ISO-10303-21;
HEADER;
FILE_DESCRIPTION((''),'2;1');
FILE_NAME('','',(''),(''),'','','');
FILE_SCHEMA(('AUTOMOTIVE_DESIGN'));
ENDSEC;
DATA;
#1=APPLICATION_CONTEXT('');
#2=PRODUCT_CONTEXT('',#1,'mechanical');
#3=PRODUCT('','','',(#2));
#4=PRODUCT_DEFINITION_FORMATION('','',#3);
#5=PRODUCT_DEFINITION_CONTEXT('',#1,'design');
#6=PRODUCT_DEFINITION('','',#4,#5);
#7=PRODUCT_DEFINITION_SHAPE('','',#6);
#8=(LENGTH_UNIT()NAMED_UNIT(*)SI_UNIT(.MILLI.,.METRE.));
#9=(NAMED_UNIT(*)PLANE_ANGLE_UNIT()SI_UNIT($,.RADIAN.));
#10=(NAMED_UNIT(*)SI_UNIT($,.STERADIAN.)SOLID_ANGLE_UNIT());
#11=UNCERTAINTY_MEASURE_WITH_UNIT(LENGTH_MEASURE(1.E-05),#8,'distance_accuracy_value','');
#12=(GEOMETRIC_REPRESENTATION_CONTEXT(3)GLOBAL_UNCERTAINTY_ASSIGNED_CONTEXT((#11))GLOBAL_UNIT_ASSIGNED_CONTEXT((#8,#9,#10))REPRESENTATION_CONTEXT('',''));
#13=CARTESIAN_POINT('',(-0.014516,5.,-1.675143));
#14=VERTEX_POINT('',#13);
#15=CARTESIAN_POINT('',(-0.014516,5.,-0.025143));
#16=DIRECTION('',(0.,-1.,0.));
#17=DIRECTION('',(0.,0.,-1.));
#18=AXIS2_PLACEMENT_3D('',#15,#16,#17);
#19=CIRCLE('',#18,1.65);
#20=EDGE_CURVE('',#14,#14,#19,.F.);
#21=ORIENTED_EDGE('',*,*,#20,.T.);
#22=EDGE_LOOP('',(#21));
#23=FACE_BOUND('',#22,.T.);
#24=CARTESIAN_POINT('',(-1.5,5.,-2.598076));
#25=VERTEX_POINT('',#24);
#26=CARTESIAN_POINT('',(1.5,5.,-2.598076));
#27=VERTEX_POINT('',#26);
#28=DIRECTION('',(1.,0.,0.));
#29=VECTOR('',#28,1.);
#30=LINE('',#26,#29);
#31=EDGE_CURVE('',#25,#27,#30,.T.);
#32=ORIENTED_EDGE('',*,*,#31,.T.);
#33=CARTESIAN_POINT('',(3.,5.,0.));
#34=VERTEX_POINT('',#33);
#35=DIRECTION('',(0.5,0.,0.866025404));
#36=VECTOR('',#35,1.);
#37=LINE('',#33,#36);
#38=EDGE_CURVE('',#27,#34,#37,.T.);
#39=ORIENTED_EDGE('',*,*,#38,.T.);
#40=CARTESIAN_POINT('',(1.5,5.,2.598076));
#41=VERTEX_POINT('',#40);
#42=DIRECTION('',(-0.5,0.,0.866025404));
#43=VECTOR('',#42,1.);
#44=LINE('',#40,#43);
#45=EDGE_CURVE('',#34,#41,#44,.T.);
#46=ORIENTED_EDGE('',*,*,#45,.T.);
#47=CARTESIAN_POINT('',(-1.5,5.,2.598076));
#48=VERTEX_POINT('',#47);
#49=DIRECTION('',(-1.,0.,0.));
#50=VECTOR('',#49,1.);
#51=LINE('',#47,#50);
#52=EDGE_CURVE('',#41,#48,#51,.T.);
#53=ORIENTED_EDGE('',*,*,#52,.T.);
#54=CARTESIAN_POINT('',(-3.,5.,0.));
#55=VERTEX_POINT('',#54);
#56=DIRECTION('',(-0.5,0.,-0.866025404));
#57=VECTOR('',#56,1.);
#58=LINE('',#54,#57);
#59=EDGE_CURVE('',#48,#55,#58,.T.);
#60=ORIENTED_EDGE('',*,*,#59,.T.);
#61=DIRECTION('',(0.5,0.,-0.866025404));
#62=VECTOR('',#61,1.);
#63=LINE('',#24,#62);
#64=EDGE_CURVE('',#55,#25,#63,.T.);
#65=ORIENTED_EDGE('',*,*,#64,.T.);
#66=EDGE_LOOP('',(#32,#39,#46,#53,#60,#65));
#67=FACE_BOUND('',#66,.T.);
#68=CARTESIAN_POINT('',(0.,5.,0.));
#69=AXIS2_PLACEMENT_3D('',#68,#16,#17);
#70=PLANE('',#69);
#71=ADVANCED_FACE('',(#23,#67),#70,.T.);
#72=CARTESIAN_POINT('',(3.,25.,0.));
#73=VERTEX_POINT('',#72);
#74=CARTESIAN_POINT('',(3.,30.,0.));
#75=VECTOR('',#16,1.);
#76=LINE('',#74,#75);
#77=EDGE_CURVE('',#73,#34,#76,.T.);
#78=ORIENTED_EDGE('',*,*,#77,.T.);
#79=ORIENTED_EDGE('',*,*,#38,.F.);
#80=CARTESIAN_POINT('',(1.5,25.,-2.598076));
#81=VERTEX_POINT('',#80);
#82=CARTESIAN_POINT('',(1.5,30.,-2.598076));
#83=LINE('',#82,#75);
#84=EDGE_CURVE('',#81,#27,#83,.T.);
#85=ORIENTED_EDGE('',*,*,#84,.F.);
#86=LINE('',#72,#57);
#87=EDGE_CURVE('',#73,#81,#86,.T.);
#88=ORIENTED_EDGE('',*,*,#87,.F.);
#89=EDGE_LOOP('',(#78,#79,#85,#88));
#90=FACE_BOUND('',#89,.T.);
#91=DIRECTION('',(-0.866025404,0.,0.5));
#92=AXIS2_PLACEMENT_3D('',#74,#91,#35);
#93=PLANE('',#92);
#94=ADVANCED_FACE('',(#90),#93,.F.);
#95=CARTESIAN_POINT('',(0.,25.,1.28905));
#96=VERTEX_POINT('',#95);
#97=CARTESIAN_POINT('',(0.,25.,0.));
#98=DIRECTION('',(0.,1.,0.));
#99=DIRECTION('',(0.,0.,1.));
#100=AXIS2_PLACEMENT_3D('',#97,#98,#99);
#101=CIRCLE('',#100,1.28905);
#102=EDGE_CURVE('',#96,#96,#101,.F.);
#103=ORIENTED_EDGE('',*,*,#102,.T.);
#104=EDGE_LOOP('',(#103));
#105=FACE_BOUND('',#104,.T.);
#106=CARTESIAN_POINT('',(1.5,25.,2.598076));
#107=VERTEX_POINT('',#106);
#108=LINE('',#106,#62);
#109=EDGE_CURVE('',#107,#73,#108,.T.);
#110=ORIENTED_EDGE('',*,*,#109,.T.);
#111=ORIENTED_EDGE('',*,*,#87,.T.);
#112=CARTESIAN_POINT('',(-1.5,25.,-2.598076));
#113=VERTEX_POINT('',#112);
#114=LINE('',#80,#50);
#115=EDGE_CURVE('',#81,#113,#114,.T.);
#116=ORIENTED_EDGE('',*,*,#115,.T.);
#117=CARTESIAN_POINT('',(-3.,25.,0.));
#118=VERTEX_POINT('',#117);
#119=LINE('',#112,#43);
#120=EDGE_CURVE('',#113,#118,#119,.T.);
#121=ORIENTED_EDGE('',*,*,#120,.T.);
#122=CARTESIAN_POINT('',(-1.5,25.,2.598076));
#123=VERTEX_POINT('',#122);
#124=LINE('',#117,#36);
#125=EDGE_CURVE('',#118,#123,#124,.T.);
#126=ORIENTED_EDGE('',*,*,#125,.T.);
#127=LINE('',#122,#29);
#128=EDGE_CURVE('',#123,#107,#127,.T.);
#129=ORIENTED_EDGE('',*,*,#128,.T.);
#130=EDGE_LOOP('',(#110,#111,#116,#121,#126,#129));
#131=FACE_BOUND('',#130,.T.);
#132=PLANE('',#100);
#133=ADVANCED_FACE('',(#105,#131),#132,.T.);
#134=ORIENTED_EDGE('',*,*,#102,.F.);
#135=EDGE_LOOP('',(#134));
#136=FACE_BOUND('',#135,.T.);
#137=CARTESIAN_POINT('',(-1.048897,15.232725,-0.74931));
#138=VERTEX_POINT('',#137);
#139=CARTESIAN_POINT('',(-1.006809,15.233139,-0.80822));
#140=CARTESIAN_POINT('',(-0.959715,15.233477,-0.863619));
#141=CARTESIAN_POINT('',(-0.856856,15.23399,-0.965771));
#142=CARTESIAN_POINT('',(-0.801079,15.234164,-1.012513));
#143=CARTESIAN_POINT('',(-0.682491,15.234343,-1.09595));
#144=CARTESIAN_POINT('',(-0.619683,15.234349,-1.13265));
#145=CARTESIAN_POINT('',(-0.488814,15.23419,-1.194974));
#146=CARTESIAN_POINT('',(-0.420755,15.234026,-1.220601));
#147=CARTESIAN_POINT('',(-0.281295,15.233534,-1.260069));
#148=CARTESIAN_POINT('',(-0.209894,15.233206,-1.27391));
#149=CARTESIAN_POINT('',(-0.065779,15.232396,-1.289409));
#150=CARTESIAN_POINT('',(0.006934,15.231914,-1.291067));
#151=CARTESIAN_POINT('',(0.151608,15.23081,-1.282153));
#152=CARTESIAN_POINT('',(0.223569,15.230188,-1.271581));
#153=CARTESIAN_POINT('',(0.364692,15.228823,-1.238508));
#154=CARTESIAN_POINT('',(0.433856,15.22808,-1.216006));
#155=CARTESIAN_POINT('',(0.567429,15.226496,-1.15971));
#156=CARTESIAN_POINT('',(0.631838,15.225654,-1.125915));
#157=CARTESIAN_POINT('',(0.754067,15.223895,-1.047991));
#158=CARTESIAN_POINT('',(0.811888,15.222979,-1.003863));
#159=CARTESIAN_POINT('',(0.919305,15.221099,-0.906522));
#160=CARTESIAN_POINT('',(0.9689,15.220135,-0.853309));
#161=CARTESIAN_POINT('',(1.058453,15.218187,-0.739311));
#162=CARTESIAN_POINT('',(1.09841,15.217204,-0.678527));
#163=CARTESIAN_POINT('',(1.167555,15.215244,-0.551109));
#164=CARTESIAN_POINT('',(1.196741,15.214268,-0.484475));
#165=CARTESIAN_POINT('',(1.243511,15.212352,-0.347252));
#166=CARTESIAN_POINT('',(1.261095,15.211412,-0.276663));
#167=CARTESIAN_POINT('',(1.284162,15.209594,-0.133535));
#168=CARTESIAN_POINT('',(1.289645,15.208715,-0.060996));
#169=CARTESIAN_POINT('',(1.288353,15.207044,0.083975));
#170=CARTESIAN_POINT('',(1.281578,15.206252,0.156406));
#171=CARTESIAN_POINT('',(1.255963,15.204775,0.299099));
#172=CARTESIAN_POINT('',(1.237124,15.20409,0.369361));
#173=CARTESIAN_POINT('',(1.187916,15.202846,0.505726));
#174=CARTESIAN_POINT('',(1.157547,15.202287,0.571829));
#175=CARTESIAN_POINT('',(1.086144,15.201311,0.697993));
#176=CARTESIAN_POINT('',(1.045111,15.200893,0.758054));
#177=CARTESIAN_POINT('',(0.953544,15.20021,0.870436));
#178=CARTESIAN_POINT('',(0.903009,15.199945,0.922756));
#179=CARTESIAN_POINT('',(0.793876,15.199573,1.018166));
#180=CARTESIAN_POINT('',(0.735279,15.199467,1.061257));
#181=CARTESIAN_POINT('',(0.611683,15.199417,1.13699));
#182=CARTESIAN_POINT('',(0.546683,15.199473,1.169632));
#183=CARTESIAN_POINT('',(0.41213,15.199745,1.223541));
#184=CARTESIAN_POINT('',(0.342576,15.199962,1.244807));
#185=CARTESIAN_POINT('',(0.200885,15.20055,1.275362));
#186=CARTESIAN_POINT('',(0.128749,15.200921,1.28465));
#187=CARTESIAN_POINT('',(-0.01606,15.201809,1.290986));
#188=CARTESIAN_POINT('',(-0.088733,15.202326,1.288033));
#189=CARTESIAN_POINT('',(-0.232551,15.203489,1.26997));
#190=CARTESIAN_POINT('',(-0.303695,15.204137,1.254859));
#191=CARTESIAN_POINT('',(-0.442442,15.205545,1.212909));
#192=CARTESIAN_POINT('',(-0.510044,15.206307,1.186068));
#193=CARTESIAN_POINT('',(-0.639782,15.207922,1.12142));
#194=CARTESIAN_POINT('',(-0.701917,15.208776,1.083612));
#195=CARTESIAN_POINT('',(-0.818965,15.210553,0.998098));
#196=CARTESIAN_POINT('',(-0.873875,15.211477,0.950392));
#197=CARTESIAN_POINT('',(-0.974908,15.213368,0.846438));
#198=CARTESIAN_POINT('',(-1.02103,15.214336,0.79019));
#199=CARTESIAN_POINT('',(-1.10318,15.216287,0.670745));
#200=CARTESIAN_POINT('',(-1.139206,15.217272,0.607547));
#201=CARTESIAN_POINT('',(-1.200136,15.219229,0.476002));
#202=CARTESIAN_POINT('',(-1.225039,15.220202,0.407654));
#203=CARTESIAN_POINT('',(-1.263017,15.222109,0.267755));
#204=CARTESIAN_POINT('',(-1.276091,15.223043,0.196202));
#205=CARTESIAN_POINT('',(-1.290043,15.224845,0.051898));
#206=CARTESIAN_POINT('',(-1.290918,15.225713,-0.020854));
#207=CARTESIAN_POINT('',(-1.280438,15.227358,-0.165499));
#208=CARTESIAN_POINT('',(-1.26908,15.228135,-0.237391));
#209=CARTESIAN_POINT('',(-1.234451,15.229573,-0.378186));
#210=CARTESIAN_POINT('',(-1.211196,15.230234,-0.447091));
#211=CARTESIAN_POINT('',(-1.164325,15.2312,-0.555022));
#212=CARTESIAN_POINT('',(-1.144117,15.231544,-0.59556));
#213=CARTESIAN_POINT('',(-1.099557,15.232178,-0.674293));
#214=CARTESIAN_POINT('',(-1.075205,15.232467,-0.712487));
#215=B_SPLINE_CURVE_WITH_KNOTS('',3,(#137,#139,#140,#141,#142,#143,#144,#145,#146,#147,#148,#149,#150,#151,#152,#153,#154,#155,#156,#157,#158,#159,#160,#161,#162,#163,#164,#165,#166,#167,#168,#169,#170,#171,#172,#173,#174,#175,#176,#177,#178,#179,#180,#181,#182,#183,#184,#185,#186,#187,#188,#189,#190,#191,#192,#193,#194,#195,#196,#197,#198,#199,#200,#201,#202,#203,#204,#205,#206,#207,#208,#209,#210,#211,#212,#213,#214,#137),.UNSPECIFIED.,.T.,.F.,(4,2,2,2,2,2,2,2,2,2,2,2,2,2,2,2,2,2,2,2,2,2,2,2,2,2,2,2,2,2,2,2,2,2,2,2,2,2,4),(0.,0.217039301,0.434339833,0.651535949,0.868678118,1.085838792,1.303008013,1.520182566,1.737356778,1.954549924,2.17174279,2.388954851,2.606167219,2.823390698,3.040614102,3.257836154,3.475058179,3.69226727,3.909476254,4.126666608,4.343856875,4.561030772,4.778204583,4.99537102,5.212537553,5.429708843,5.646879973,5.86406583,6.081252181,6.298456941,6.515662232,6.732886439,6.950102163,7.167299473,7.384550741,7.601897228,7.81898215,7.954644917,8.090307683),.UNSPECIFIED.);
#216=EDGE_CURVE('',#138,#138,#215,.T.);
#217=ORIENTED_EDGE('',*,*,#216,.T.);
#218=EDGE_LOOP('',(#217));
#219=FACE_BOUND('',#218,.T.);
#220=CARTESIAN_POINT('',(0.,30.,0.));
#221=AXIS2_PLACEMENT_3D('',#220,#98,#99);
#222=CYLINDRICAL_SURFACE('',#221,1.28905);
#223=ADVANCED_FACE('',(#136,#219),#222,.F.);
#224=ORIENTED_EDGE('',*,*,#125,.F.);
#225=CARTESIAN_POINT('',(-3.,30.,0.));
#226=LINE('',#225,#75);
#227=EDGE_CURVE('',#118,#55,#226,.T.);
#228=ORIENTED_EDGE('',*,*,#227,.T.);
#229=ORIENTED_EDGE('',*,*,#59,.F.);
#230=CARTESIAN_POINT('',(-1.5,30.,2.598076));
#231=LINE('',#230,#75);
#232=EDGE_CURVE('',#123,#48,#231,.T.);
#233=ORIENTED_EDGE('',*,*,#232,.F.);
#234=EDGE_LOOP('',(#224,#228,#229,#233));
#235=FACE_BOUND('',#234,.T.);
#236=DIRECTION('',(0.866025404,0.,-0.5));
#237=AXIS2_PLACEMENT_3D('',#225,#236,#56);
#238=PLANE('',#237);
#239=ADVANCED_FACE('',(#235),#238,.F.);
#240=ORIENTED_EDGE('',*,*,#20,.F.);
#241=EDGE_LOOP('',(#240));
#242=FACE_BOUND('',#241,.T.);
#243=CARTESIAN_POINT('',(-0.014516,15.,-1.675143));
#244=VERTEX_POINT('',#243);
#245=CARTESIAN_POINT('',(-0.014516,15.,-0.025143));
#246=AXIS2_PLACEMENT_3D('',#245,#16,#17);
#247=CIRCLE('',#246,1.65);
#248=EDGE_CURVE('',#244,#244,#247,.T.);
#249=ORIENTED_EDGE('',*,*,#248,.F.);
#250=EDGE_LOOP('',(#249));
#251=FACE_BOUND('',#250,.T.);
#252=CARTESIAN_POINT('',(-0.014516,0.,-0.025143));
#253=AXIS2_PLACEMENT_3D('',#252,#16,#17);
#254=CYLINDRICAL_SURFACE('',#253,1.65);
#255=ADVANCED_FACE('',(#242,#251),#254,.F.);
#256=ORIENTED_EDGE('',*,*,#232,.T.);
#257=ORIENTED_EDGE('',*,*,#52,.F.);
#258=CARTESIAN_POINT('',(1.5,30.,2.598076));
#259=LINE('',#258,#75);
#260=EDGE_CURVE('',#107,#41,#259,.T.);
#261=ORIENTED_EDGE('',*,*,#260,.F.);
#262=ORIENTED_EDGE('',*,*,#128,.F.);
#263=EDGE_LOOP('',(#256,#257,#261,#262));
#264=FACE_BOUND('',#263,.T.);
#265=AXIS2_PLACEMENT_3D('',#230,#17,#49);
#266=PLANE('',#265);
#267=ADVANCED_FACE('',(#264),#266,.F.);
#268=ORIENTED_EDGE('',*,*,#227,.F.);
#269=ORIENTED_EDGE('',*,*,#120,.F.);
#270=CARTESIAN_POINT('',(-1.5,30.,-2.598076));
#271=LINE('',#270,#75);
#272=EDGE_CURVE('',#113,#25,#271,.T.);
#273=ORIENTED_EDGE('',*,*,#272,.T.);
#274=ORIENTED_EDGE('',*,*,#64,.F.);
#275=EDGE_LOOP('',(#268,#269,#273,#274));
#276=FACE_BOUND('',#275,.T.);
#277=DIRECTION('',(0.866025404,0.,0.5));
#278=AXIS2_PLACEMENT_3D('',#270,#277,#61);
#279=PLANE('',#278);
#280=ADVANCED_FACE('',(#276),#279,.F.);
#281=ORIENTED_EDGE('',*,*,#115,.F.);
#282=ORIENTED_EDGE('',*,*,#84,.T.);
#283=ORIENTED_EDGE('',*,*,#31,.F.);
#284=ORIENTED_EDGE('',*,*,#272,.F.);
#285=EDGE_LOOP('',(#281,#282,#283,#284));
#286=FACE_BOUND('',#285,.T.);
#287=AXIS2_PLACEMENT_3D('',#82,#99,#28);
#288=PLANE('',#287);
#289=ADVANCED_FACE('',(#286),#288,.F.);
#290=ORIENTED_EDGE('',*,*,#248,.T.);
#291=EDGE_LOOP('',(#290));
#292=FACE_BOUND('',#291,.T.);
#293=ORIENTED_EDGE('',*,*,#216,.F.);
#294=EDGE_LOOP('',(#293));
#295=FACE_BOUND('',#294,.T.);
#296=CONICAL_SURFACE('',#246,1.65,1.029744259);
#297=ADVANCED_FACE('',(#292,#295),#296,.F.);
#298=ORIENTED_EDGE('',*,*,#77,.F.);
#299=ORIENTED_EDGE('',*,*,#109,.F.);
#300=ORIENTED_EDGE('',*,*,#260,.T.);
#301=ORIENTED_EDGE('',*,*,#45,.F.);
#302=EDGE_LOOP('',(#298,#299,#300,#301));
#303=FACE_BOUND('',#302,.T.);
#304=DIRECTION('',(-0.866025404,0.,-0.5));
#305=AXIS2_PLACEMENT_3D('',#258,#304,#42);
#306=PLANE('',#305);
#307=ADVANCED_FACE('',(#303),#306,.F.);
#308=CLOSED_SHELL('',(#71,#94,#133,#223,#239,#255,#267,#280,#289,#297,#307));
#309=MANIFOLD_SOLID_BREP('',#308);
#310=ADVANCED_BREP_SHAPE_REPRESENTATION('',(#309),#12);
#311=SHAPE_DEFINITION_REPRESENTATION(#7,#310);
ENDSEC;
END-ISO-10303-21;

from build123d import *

# Parameters (mm, degrees)
BOSS_EXTRUDE1_DEPTH             = 30
F_5_40_TAPPED_HOLE1_D           = 2.5781
F_5_40_TAPPED_HOLE1_DEPTH       = 15
F_5_40_TAPPED_HOLE1_CSINK_D     = 4.445
F_5_40_TAPPED_HOLE1_CSINK_ANGLE = 100
F_5_40_TAPPED_HOLE1_TIP         = 0.774539381
M4X0_7_TAPPED_HOLE1_D           = 3.3
M4X0_7_TAPPED_HOLE1_DEPTH       = 15
M4X0_7_TAPPED_HOLE1_TIP         = 0.991420021
SKETCH9_R                       = 3
CUT_EXTRUDE2_DEPTH              = 5
SKETCH10_R                      = 3
CUT_EXTRUDE3_DEPTH              = 5


with BuildPart() as part:
    # Sketch2 → Boss-Extrude1 (new body)
    with BuildSketch(Plane(origin=(0, 0, 0), x_dir=(1, 0, 0), z_dir=(0, 1, 0))):
        Polygon((3, 0), (1.5, 2.598076211), (-1.5, 2.598076211), (-3, 0), (-1.5, -2.598076211), (1.5, -2.598076211), align=None)
    extrude(amount=BOSS_EXTRUDE1_DEPTH)

    # #5-40 Tapped Hole1
    with Locations(Plane(origin=(0, 30, 0), x_dir=(1, 0, 0), z_dir=(0, 1, 0))):
        with Locations((0, 0)):
            CounterSinkHole(F_5_40_TAPPED_HOLE1_D / 2, F_5_40_TAPPED_HOLE1_CSINK_D / 2, depth=F_5_40_TAPPED_HOLE1_DEPTH, counter_sink_angle=F_5_40_TAPPED_HOLE1_CSINK_ANGLE)
            with Locations((0, 0, -(F_5_40_TAPPED_HOLE1_DEPTH + F_5_40_TAPPED_HOLE1_TIP / 2))):  # 118° drill point
                Cone(0, F_5_40_TAPPED_HOLE1_D / 2, F_5_40_TAPPED_HOLE1_TIP, mode=Mode.SUBTRACT)

    # M4x0.7 Tapped Hole1
    with Locations(Plane(origin=(-0.014516339, 0, -0.025143037), x_dir=(0, 0, -1), z_dir=(0, -1, 0))):
        with Locations((0, 0)):
            Hole(M4X0_7_TAPPED_HOLE1_D / 2, depth=M4X0_7_TAPPED_HOLE1_DEPTH)
            with Locations((0, 0, -(M4X0_7_TAPPED_HOLE1_DEPTH + M4X0_7_TAPPED_HOLE1_TIP / 2))):  # 118° drill point
                Cone(0, M4X0_7_TAPPED_HOLE1_D / 2, M4X0_7_TAPPED_HOLE1_TIP, mode=Mode.SUBTRACT)

    # Sketch9 → Cut-Extrude2 (cut)
    with BuildSketch(Plane(origin=(0, 30, 0), x_dir=(1, 0, 0), z_dir=(0, 1, 0))):
        Circle(SKETCH9_R)
    extrude(amount=-CUT_EXTRUDE2_DEPTH, mode=Mode.SUBTRACT)

    # Sketch10 → Cut-Extrude3 (cut)
    with BuildSketch(Plane.XZ):
        Circle(SKETCH10_R)
    extrude(amount=-CUT_EXTRUDE3_DEPTH, mode=Mode.SUBTRACT)


solid = part.part
